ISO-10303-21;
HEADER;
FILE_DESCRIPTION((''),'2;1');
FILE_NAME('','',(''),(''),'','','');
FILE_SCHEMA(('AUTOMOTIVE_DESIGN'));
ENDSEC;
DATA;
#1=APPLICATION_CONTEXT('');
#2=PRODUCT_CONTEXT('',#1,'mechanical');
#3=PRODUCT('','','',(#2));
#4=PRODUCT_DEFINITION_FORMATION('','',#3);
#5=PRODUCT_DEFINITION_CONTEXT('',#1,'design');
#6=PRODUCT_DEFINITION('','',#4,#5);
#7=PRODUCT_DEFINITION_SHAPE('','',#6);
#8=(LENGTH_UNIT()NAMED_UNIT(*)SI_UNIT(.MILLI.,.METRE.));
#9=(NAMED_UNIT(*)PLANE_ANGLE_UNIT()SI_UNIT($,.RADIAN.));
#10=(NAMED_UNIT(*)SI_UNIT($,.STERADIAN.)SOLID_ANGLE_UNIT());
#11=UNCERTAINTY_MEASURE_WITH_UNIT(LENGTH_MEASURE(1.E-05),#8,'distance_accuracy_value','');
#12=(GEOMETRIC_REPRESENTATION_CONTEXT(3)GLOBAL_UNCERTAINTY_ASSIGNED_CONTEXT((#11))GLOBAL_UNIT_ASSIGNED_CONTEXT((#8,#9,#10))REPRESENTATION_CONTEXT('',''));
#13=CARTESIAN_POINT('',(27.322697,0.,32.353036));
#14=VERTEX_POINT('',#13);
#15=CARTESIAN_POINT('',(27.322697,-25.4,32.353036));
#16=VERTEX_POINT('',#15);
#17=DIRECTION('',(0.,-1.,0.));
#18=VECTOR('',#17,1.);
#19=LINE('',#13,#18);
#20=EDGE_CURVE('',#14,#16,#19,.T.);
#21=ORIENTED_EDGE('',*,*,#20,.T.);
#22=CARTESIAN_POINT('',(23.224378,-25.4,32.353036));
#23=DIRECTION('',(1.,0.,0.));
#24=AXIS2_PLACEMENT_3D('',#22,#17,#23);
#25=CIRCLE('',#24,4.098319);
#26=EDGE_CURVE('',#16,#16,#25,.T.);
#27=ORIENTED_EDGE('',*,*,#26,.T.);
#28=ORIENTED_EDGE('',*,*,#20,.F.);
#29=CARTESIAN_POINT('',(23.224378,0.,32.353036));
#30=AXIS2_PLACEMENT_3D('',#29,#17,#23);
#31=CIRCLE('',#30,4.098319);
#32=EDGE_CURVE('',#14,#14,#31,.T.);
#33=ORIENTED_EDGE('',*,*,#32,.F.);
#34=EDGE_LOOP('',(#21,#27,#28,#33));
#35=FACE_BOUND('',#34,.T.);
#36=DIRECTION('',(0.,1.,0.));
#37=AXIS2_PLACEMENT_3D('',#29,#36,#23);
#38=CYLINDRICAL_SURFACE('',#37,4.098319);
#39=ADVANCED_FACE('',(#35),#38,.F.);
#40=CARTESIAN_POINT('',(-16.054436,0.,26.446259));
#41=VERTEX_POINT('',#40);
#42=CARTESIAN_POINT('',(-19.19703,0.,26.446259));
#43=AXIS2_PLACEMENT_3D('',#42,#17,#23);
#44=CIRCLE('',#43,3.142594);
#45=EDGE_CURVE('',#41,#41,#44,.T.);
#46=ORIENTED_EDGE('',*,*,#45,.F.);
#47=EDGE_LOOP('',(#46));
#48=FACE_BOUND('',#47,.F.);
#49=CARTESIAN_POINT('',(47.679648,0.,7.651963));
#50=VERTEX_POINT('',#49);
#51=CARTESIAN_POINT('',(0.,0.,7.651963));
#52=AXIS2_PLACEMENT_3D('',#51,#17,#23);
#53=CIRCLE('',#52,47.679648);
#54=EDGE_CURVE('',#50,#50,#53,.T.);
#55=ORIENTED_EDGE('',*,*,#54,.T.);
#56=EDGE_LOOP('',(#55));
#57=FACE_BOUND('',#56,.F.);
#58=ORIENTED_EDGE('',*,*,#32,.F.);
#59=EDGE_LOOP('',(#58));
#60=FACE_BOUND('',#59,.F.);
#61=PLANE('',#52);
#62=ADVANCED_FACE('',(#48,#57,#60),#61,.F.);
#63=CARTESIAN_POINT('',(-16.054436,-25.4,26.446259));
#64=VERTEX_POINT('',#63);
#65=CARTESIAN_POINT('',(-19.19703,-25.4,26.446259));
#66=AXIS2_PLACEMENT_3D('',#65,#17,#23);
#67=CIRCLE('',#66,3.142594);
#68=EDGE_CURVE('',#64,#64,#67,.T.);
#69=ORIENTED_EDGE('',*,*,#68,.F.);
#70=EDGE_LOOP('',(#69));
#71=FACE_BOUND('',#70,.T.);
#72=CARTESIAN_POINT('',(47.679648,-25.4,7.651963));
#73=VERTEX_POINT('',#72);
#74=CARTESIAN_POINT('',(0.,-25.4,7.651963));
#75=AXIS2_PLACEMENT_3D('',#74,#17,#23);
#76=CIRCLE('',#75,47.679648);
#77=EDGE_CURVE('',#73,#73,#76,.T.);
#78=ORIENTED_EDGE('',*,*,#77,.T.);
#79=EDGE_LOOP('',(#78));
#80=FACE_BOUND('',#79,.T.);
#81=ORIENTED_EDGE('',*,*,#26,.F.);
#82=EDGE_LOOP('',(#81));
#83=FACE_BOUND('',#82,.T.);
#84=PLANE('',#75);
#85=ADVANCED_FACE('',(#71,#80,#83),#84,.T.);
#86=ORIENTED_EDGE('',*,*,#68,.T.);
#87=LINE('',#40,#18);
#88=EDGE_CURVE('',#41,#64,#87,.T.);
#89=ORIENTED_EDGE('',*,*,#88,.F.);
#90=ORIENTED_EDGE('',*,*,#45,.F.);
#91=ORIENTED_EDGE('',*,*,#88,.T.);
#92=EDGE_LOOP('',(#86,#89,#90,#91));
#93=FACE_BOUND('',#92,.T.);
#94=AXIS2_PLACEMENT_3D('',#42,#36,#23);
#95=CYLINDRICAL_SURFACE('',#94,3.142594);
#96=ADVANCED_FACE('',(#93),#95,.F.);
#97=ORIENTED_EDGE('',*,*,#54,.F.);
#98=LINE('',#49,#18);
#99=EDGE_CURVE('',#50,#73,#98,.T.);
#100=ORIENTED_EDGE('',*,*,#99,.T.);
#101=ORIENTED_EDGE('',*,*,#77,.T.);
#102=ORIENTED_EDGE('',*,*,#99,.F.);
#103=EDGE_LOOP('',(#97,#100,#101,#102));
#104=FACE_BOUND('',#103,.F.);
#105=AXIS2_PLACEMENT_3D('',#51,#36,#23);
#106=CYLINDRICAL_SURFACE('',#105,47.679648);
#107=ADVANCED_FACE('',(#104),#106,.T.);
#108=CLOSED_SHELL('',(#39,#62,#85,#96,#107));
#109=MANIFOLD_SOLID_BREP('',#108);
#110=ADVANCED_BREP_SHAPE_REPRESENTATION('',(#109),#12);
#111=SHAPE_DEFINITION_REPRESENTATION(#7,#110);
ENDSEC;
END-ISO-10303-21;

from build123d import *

# Parameters (mm, degrees)
F1_R     = 47.679648
F1_R_2   = 3.142594
F1_R_3   = 4.098319
F2_DEPTH = 25.4


with BuildPart() as f2:
    # F1 (on face) → F2 (new body)
    with BuildSketch(Plane.XZ):
        with Locations((0, 7.651963)):
            Circle(F1_R)
        with Locations((-19.19703, 26.446259)):
            Circle(F1_R_2, mode=Mode.SUBTRACT)
        with Locations((23.224378, 32.353036)):
            Circle(F1_R_3, mode=Mode.SUBTRACT)
    extrude(amount=F2_DEPTH)


solid = f2.part
